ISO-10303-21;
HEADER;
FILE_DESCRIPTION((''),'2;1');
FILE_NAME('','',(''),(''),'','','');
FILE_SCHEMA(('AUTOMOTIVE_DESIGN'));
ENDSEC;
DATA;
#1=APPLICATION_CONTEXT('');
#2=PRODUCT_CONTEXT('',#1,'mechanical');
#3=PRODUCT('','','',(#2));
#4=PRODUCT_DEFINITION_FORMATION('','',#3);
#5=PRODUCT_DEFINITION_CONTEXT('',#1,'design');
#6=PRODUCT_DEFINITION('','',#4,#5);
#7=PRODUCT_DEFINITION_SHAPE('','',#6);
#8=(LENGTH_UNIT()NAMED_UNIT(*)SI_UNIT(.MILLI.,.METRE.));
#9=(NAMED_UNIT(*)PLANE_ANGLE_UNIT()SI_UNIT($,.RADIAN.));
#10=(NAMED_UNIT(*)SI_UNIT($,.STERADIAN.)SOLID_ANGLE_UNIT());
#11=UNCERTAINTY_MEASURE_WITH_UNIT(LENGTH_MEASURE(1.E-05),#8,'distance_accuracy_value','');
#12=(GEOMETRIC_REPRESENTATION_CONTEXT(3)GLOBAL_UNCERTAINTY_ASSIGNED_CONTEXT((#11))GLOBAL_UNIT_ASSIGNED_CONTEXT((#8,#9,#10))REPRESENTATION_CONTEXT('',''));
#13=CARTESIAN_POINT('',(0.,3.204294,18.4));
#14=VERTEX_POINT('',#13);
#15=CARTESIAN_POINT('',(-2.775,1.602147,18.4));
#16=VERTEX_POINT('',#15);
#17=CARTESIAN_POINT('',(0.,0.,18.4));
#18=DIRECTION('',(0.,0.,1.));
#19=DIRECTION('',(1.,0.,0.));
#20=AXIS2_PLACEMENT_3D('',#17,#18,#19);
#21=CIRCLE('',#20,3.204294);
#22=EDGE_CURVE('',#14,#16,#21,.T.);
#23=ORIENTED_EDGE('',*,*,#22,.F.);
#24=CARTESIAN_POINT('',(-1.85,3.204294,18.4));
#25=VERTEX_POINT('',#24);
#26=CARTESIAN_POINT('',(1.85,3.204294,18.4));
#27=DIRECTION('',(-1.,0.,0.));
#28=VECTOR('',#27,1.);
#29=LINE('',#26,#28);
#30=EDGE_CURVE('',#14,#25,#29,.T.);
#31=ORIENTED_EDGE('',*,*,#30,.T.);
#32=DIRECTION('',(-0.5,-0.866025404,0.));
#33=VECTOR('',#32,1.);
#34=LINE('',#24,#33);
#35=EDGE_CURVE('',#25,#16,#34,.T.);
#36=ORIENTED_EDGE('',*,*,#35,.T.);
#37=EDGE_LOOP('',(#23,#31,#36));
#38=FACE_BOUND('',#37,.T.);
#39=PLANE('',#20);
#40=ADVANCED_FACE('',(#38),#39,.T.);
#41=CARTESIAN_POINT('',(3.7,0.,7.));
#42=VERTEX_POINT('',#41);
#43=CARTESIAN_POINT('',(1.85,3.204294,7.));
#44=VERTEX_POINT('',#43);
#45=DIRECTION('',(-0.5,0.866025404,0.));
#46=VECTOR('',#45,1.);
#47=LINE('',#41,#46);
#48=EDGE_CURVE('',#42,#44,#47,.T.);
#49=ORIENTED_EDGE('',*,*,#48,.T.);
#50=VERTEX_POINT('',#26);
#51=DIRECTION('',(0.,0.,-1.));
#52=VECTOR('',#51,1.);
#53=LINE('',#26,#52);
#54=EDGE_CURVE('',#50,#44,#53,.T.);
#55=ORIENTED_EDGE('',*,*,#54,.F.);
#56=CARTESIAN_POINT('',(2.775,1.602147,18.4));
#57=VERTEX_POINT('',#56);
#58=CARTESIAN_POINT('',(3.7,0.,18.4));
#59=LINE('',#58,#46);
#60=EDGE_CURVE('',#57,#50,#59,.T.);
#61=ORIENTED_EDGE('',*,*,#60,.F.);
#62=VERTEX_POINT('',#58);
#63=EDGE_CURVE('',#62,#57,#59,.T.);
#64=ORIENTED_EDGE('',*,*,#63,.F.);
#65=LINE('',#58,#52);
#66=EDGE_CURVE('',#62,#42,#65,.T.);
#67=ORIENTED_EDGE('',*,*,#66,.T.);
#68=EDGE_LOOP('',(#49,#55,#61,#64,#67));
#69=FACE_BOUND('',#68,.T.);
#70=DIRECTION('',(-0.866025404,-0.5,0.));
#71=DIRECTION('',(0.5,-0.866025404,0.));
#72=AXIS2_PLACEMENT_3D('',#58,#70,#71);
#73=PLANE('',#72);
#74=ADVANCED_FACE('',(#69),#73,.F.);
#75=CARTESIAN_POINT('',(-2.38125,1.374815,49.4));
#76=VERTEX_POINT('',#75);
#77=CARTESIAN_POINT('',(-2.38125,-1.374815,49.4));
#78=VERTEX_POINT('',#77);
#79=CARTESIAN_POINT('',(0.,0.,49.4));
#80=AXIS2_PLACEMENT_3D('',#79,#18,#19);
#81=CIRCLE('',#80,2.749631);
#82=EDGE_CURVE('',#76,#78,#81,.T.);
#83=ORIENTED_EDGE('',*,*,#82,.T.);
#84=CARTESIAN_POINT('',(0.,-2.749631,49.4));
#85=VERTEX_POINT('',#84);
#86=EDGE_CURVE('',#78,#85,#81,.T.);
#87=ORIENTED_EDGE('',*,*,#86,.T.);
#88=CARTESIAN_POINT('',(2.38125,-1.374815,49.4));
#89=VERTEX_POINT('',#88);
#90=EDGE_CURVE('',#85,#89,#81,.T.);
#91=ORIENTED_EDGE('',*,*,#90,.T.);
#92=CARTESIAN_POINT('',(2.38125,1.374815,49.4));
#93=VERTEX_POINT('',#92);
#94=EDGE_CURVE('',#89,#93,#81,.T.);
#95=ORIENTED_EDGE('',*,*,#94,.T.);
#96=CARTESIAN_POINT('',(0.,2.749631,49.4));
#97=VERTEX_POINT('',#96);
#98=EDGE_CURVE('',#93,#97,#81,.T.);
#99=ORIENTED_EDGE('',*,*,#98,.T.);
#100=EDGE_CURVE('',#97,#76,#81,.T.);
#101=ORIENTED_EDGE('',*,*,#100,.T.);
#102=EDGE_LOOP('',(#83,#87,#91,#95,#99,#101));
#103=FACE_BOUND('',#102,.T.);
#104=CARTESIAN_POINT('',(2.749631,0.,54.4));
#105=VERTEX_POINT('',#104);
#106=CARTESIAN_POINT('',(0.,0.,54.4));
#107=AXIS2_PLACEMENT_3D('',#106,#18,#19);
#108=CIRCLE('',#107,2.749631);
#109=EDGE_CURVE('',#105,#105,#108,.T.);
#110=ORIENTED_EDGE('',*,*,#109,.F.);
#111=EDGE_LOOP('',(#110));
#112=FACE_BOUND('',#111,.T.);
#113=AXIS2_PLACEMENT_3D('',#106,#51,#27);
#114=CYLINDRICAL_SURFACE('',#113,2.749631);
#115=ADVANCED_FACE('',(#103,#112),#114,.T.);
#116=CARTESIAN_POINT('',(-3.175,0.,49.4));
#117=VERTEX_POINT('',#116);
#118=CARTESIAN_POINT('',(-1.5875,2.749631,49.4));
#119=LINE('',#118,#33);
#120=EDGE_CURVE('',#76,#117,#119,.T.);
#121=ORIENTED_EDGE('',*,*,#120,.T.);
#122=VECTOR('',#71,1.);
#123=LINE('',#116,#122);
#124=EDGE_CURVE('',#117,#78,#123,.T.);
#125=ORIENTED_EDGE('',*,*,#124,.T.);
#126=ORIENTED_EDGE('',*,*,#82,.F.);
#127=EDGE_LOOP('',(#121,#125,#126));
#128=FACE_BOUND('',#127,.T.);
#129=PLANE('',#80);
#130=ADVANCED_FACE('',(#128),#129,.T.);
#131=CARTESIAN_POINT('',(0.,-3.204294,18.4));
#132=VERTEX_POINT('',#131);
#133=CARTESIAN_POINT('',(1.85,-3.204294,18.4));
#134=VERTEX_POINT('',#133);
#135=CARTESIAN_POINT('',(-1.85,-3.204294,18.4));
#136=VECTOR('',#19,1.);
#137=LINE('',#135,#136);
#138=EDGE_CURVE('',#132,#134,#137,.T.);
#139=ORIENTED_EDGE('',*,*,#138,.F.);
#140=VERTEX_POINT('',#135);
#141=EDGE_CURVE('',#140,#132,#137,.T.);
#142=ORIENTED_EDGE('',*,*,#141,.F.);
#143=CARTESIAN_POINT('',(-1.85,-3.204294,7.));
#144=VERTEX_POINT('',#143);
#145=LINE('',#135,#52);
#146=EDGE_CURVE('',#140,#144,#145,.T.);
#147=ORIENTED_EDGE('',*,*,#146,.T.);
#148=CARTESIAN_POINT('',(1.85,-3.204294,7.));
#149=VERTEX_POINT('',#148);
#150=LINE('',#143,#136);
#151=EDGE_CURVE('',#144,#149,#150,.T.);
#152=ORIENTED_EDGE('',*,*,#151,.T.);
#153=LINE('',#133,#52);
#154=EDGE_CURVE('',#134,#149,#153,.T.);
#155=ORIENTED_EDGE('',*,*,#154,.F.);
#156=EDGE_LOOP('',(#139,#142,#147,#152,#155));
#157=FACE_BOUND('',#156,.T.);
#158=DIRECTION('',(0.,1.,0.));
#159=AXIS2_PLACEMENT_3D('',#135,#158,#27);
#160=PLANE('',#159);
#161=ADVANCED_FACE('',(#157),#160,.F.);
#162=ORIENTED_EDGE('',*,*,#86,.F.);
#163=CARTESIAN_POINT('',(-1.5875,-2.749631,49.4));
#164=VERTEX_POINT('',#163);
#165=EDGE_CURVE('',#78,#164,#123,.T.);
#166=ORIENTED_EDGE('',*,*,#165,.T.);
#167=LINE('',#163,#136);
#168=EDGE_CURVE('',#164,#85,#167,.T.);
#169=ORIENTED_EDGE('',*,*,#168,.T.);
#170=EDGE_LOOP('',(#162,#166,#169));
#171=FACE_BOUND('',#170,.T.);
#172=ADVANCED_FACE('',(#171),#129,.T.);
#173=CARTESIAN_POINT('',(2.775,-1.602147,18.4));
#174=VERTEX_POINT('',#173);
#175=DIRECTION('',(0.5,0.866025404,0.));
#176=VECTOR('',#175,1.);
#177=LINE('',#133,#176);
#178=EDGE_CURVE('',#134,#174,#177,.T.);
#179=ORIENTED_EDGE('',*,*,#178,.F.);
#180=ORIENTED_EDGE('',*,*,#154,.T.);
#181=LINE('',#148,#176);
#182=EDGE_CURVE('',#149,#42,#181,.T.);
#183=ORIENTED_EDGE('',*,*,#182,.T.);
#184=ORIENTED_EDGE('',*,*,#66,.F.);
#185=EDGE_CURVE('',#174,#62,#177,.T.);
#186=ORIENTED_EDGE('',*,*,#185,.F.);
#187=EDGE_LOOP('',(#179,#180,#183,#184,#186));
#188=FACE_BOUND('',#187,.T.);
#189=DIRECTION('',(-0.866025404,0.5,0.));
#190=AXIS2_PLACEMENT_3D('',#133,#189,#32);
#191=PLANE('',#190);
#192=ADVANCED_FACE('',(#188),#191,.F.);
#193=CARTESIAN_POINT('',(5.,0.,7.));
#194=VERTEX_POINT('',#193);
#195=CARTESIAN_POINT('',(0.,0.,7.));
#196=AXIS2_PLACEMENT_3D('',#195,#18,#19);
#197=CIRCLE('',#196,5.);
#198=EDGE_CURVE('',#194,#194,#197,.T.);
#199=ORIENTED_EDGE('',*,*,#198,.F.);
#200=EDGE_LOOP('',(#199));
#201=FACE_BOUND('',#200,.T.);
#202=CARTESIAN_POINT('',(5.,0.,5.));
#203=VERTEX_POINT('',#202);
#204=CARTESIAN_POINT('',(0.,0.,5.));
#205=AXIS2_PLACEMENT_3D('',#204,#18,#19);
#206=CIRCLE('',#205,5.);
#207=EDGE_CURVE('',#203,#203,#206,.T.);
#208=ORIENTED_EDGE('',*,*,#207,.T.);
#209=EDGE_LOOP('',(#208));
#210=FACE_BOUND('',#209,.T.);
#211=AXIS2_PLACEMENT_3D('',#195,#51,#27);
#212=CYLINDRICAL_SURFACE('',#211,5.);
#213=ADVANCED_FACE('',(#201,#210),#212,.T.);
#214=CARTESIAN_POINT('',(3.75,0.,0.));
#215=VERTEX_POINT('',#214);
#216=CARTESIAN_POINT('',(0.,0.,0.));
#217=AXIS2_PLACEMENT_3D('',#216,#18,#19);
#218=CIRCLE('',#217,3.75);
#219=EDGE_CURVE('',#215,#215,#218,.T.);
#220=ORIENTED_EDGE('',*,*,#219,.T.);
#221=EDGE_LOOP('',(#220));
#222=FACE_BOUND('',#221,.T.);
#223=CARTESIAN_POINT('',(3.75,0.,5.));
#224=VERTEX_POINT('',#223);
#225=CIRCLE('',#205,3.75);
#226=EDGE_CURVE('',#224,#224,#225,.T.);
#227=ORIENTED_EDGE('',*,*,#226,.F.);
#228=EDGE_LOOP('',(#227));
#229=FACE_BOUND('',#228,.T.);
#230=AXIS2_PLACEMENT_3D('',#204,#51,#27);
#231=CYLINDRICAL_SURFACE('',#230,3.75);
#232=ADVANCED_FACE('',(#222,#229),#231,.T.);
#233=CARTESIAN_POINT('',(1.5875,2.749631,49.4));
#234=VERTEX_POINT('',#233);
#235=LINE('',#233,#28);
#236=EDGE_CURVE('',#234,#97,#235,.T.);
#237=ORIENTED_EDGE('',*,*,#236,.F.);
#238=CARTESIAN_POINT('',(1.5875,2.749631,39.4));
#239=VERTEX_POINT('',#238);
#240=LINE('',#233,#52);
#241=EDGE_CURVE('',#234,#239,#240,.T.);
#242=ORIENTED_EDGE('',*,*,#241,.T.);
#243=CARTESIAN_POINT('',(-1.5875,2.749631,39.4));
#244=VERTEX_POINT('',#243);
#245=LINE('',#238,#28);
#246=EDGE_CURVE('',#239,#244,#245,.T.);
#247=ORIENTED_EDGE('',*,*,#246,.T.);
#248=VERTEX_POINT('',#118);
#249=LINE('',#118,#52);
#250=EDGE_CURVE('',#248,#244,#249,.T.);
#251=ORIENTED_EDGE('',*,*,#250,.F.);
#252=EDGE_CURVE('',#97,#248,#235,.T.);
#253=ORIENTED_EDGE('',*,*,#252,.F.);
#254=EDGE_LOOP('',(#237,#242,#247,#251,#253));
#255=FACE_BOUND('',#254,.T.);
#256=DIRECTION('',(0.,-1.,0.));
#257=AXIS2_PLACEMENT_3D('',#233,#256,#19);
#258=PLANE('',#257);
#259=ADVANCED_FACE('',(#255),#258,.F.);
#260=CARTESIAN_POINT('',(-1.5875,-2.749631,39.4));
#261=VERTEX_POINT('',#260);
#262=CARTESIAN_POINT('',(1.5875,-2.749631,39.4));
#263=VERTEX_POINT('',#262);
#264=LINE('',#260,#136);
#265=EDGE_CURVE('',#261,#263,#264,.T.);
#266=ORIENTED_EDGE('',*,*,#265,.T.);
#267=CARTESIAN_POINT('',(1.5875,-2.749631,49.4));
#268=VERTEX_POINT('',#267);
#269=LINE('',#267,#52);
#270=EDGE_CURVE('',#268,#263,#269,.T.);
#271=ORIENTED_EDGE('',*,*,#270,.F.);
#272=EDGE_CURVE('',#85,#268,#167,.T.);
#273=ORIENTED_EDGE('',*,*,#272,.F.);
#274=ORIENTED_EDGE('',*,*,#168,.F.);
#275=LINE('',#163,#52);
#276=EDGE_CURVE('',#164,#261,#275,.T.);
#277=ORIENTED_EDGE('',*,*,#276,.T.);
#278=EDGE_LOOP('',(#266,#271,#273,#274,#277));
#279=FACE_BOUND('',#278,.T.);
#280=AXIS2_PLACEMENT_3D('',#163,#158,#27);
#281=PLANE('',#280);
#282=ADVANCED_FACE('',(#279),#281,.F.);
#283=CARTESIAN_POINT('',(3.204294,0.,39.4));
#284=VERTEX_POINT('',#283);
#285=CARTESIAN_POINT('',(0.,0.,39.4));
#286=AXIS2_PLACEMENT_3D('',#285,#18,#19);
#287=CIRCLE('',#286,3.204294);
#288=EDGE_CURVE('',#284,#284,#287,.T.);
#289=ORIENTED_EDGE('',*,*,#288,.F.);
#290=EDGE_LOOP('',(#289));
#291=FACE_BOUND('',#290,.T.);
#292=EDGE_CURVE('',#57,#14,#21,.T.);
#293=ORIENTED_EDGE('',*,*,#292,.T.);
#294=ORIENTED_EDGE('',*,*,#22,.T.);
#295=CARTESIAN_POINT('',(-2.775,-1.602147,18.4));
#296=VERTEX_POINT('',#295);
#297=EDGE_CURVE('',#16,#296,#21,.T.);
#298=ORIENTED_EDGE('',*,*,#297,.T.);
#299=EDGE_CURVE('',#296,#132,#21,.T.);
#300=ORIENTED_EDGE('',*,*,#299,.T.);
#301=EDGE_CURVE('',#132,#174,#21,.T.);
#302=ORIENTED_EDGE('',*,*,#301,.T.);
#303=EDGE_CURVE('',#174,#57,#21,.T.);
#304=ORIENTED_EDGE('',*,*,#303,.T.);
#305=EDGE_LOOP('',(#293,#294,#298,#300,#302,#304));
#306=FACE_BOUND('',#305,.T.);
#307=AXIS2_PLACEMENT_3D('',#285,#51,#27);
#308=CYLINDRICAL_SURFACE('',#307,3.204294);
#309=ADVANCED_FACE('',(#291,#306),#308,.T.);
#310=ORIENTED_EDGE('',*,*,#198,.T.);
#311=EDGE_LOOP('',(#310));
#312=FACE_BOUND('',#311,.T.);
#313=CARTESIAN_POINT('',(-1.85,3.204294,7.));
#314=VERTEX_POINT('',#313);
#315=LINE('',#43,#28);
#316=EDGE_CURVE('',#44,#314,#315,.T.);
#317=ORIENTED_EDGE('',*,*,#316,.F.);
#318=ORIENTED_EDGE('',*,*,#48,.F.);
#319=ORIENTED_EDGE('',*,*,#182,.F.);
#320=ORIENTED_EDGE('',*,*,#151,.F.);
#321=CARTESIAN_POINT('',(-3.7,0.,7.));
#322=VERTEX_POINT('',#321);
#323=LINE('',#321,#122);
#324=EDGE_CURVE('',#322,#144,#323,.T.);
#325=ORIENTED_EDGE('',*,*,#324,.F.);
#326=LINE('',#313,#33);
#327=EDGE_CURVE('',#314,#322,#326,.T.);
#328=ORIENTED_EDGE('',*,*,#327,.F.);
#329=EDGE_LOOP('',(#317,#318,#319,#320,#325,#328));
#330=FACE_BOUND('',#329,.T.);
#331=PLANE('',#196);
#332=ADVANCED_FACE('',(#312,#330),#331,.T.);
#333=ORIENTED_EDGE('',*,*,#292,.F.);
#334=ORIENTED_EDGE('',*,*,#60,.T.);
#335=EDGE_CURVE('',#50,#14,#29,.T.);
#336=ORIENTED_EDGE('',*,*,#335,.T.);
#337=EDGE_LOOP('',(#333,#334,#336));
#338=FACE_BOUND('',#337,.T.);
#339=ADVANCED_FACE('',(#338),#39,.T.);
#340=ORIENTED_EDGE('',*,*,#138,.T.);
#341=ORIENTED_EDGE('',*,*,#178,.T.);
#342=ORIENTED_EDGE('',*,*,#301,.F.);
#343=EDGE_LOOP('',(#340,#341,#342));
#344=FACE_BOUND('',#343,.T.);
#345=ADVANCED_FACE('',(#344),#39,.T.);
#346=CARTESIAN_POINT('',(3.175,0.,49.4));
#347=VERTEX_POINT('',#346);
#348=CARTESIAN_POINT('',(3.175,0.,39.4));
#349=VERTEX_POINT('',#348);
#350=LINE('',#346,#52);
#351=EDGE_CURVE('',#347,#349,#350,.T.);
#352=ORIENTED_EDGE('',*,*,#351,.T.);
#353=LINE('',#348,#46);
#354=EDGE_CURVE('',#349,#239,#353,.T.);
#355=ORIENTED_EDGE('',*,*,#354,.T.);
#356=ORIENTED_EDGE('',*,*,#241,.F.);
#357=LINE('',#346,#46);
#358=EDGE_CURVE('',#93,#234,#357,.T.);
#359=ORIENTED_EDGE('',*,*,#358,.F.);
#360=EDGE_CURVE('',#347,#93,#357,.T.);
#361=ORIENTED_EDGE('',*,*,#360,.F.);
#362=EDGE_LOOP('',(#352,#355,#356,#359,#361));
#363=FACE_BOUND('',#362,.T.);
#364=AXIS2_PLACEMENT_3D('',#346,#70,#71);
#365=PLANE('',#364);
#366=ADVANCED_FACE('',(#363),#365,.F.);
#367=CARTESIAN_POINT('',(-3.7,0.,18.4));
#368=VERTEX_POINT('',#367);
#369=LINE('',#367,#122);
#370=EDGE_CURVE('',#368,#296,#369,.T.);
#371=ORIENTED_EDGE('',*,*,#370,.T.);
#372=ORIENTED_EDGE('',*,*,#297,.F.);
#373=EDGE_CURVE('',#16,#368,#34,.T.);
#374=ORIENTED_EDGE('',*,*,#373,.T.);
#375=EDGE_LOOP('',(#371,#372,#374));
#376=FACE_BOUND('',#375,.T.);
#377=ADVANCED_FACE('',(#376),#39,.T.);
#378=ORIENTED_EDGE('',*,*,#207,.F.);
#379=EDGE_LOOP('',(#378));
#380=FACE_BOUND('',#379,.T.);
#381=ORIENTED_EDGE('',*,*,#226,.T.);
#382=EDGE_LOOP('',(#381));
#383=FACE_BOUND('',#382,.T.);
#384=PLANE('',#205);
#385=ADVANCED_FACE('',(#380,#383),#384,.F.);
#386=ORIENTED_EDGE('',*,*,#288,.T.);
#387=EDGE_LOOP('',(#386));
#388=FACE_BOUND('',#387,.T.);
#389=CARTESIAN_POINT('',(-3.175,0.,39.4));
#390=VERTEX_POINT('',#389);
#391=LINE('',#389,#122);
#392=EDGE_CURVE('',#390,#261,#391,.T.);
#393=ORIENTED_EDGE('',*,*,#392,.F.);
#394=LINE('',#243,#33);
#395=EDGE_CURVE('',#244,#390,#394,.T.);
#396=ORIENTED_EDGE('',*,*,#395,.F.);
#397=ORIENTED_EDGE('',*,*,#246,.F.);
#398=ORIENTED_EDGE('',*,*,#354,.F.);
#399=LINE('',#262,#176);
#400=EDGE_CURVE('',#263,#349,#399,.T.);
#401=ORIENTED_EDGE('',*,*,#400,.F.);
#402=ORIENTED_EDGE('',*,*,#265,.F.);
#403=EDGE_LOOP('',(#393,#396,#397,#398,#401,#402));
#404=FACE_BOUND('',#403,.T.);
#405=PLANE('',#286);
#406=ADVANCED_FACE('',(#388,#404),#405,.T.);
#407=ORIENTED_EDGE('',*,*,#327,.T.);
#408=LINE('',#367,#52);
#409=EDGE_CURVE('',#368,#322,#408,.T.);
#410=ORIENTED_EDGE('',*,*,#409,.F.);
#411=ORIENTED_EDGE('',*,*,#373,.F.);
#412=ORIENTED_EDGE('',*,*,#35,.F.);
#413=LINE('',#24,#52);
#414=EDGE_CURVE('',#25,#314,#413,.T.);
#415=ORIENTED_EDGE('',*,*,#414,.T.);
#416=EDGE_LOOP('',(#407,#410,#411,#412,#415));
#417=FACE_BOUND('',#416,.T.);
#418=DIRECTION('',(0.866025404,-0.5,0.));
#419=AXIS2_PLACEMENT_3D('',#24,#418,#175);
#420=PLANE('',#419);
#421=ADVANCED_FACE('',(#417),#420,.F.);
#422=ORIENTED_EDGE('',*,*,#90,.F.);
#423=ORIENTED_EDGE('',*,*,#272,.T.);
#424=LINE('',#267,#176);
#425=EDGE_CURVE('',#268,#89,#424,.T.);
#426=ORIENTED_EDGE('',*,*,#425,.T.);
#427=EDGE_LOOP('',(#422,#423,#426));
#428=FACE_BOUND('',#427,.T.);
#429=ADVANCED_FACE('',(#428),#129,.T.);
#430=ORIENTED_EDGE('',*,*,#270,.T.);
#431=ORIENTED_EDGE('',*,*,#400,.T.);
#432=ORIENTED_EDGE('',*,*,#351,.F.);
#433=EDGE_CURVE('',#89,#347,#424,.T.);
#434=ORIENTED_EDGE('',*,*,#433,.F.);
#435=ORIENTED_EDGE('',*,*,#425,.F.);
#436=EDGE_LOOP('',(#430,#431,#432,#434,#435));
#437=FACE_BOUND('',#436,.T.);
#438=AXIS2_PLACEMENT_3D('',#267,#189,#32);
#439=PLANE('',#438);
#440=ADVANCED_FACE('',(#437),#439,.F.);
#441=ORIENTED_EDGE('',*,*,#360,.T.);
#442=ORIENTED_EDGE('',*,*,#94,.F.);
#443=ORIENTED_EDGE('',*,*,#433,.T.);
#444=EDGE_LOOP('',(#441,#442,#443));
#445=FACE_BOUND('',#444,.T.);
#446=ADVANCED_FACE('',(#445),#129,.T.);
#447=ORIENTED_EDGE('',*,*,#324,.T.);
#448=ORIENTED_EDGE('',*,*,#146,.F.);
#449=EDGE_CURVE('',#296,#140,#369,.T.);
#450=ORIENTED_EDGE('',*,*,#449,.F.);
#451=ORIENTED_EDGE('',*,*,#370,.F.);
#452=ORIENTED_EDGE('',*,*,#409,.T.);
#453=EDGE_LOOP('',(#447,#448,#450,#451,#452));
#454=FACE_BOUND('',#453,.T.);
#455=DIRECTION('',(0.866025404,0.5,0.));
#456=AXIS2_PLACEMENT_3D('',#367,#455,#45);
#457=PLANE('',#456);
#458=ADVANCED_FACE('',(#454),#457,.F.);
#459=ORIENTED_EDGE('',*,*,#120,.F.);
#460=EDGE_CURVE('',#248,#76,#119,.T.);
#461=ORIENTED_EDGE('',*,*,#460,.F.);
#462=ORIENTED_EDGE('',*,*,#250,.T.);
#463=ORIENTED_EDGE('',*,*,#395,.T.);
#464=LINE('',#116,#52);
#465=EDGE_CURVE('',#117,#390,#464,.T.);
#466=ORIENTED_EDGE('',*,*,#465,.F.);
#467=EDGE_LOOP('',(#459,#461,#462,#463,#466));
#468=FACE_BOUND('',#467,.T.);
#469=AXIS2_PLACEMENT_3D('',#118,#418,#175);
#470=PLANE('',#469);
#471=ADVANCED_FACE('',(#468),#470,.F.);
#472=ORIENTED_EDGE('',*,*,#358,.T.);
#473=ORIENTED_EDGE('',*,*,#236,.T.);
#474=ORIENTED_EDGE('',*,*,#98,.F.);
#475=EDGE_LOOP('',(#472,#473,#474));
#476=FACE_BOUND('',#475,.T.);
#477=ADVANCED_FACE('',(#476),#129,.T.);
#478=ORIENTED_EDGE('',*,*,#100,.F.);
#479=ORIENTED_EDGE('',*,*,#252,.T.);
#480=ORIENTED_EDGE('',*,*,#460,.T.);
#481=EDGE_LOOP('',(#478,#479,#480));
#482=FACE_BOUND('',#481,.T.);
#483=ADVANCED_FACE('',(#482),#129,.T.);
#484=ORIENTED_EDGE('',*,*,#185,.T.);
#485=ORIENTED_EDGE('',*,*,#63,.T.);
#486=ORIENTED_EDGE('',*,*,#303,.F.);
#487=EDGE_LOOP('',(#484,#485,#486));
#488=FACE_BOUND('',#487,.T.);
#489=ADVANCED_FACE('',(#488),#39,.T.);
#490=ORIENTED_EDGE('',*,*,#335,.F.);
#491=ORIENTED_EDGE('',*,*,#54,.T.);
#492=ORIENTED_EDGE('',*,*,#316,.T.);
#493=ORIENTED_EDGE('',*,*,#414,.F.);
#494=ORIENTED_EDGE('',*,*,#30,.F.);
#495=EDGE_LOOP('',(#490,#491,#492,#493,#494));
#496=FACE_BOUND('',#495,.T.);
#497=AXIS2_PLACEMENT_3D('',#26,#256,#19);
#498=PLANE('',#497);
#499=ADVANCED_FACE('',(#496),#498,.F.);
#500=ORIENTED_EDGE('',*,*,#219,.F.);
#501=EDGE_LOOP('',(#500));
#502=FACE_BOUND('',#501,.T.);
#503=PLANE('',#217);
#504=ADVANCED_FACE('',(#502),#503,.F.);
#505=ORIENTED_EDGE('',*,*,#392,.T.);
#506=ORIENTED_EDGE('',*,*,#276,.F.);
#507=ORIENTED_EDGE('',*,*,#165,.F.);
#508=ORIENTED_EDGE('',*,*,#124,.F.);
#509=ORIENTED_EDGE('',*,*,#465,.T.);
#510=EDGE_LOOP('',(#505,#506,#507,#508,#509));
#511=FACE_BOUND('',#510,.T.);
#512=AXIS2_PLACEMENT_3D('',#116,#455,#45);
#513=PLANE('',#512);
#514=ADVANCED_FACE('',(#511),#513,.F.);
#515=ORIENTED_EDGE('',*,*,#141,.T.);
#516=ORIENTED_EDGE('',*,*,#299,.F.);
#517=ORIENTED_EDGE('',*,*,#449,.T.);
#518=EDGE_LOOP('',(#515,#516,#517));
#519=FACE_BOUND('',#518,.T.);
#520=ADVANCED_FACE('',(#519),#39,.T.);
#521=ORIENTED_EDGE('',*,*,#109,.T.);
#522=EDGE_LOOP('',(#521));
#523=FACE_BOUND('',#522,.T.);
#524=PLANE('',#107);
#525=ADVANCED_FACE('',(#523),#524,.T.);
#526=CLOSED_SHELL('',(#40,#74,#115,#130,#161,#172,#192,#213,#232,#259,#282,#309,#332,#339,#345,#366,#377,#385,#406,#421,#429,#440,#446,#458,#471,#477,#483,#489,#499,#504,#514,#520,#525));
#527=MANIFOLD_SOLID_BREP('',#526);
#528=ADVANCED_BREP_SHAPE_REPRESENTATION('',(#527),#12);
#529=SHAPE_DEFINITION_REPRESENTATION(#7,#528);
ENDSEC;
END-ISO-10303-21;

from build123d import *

# Parameters (mm, degrees)
SKETCH1_R           = 3.75
BOSS_EXTRUDE1_DEPTH = 5
SKETCH2_R           = 5
BOSS_EXTRUDE2_DEPTH = 2
BOSS_EXTRUDE3_DEPTH = 11.4
SKETCH4_R           = 3.204293994
BOSS_EXTRUDE4_DEPTH = 21
BOSS_EXTRUDE5_DEPTH = 10
SKETCH6_R           = 2.749630657
BOSS_EXTRUDE6_DEPTH = 5


with BuildPart() as part:
    # Sketch1 → Boss-Extrude1 (new body)
    with BuildSketch(Plane.XY):
        Circle(SKETCH1_R)
    extrude(amount=BOSS_EXTRUDE1_DEPTH)

    # Sketch2 → Boss-Extrude2 (add)
    with BuildSketch(Plane.XY.offset(5)):
        Circle(SKETCH2_R)
    extrude(amount=BOSS_EXTRUDE2_DEPTH)

    # Sketch3 → Boss-Extrude3 (add)
    with BuildSketch(Plane.XY.offset(7)):
        Polygon((3.7, 0), (1.85, 3.204293994), (-1.85, 3.204293994), (-3.7, 0), (-1.85, -3.204293994), (1.85, -3.204293994), align=None)
    extrude(amount=BOSS_EXTRUDE3_DEPTH)

    # Sketch4 → Boss-Extrude4 (add)
    with BuildSketch(Plane.XY.offset(18.4)):
        Circle(SKETCH4_R)
    extrude(amount=BOSS_EXTRUDE4_DEPTH)

    # Sketch5 → Boss-Extrude5 (add)
    with BuildSketch(Plane.XY.offset(39.4)):
        Polygon((3.175, 0), (1.5875, 2.749630657), (-1.5875, 2.749630657), (-3.175, 0), (-1.5875, -2.749630657), (1.5875, -2.749630657), align=None)
    extrude(amount=BOSS_EXTRUDE5_DEPTH)

    # Sketch6 → Boss-Extrude6 (add)
    with BuildSketch(Plane.XY.offset(49.4)):
        Circle(SKETCH6_R)
    extrude(amount=BOSS_EXTRUDE6_DEPTH)


solid = part.part
